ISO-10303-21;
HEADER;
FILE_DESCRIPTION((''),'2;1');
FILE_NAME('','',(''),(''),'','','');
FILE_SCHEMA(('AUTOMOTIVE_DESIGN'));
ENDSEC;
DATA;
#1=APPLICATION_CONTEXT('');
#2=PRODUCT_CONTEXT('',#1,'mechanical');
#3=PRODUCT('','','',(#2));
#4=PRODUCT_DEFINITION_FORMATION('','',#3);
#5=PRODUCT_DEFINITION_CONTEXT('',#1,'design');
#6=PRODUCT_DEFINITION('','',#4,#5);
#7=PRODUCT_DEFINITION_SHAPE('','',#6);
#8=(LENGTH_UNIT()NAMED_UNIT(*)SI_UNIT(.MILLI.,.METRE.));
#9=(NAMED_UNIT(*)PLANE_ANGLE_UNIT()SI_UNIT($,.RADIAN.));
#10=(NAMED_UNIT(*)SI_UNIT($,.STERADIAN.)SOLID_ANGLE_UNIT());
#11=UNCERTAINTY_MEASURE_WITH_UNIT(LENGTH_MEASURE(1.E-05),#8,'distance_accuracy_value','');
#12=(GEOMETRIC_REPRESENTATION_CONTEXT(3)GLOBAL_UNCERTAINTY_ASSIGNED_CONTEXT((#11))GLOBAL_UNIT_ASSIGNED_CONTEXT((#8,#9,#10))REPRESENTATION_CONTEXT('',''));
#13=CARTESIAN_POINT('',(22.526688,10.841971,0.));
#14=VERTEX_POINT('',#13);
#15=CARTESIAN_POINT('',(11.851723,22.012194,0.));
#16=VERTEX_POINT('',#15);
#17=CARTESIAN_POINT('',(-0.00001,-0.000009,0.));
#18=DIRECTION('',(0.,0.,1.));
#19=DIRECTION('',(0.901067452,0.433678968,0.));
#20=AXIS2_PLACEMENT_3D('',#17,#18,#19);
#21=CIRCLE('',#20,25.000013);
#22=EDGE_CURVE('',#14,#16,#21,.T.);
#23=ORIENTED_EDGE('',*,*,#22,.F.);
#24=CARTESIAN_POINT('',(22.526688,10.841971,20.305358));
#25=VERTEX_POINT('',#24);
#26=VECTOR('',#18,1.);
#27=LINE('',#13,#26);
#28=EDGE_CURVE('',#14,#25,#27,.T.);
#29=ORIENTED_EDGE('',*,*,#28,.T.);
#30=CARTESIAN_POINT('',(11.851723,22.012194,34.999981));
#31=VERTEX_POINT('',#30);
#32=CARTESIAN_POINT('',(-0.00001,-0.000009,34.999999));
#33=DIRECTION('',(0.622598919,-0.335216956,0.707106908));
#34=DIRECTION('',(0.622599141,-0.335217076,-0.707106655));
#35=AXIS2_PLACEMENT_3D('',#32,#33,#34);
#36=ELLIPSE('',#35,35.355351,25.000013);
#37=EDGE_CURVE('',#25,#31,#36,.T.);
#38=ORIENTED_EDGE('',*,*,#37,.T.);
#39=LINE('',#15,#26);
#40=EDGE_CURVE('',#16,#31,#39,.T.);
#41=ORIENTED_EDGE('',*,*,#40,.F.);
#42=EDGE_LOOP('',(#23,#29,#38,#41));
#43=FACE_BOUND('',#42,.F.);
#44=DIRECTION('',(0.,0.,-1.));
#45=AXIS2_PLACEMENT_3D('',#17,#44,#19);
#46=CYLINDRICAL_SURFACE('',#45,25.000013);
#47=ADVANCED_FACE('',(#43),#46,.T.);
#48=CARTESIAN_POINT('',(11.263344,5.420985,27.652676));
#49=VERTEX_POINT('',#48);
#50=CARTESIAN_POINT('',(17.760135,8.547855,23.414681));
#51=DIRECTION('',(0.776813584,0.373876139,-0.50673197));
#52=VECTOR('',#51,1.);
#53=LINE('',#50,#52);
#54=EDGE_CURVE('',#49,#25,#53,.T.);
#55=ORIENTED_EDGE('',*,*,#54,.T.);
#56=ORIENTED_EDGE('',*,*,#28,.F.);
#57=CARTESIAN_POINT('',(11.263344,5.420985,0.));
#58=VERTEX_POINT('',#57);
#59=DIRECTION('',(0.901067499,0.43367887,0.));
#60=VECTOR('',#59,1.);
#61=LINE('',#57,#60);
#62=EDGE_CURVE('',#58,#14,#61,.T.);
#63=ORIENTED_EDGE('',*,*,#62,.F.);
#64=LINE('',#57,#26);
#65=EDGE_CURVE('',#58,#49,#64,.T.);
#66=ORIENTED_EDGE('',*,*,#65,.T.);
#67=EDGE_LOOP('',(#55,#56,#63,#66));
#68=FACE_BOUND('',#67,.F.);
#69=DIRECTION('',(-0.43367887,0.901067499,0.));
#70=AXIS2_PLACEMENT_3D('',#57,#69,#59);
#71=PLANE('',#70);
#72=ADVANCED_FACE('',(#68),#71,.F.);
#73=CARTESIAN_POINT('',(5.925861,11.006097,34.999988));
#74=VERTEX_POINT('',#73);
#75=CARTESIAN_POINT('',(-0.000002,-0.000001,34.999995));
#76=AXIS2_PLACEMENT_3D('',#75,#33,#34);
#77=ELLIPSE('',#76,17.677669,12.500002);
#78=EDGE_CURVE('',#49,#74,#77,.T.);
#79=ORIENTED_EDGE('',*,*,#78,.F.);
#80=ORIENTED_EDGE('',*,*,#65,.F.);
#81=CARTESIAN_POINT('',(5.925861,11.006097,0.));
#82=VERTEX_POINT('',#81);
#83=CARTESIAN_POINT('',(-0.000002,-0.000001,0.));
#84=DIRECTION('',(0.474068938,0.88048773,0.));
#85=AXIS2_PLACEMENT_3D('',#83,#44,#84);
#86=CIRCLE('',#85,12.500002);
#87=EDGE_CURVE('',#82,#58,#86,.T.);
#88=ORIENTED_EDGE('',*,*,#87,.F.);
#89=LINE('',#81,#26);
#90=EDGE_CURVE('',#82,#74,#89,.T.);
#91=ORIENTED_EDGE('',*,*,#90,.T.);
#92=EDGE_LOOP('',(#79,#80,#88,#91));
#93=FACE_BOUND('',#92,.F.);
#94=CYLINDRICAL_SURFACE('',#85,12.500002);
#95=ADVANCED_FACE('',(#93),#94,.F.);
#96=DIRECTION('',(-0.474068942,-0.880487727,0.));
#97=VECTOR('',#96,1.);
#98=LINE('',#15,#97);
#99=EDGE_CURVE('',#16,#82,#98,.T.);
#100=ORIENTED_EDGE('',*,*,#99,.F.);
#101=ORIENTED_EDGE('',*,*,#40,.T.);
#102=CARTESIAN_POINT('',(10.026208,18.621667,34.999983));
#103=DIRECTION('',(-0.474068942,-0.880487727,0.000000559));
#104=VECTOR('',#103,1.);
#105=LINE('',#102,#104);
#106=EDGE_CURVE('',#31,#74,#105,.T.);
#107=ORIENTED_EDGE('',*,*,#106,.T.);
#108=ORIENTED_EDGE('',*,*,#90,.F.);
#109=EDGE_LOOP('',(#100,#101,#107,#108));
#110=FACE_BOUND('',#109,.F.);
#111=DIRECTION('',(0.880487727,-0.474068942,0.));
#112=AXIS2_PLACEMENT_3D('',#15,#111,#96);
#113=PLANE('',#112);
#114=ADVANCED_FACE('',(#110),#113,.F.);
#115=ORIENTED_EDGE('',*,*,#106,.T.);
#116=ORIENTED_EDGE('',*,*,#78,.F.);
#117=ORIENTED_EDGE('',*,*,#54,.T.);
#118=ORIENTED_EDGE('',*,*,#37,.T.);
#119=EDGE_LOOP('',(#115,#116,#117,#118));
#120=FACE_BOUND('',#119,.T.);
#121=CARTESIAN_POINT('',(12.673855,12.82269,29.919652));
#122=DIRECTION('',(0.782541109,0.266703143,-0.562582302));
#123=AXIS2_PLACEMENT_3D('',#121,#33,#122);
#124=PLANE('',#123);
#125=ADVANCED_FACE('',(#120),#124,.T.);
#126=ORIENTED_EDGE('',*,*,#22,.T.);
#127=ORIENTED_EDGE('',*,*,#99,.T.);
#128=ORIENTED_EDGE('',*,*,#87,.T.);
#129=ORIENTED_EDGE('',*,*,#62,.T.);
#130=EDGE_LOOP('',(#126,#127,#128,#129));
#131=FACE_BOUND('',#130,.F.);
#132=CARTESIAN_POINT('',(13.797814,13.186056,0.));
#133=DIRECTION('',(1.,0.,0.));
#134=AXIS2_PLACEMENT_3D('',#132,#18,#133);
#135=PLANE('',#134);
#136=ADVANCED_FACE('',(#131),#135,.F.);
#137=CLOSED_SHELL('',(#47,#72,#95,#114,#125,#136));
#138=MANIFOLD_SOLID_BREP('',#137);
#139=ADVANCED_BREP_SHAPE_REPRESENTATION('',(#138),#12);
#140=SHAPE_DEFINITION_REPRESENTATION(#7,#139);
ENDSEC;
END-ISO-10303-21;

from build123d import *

# Parameters (mm, degrees)
F1_DEPTH = 35
F3_W     = 29.295783
F3_H     = 24.456017
F4_DEPTH = 25


with BuildPart() as f1:
    # F0 (on Top) → F1 (new body)
    with BuildSketch(Plane.XY):
        with BuildLine():
            Line((11.851723, 22.012194), (5.925861, 11.006097))
            ThreePointArc((5.925861, 11.006097), (9.0369, 8.636228), (11.263344, 5.420985))
            Line((11.263344, 5.420985), (22.526688, 10.841971))
            ThreePointArc((22.526688, 10.841971), (18.0738, 17.272456), (11.851723, 22.012194))
        make_face()
    extrude(amount=F1_DEPTH)

    # F3 (on face) → F4 (cut)
    with BuildSketch(Plane(origin=(15.408536, -8.296206, 17.5), x_dir=(0.782541, 0.266703, -0.562582), z_dir=(0.622599, -0.335217, 0.707107))):
        with Locations((-3.494601, 24.403315)):
            Rectangle(F3_W, F3_H)
    extrude(amount=F4_DEPTH, mode=Mode.SUBTRACT)


solid = f1.part
